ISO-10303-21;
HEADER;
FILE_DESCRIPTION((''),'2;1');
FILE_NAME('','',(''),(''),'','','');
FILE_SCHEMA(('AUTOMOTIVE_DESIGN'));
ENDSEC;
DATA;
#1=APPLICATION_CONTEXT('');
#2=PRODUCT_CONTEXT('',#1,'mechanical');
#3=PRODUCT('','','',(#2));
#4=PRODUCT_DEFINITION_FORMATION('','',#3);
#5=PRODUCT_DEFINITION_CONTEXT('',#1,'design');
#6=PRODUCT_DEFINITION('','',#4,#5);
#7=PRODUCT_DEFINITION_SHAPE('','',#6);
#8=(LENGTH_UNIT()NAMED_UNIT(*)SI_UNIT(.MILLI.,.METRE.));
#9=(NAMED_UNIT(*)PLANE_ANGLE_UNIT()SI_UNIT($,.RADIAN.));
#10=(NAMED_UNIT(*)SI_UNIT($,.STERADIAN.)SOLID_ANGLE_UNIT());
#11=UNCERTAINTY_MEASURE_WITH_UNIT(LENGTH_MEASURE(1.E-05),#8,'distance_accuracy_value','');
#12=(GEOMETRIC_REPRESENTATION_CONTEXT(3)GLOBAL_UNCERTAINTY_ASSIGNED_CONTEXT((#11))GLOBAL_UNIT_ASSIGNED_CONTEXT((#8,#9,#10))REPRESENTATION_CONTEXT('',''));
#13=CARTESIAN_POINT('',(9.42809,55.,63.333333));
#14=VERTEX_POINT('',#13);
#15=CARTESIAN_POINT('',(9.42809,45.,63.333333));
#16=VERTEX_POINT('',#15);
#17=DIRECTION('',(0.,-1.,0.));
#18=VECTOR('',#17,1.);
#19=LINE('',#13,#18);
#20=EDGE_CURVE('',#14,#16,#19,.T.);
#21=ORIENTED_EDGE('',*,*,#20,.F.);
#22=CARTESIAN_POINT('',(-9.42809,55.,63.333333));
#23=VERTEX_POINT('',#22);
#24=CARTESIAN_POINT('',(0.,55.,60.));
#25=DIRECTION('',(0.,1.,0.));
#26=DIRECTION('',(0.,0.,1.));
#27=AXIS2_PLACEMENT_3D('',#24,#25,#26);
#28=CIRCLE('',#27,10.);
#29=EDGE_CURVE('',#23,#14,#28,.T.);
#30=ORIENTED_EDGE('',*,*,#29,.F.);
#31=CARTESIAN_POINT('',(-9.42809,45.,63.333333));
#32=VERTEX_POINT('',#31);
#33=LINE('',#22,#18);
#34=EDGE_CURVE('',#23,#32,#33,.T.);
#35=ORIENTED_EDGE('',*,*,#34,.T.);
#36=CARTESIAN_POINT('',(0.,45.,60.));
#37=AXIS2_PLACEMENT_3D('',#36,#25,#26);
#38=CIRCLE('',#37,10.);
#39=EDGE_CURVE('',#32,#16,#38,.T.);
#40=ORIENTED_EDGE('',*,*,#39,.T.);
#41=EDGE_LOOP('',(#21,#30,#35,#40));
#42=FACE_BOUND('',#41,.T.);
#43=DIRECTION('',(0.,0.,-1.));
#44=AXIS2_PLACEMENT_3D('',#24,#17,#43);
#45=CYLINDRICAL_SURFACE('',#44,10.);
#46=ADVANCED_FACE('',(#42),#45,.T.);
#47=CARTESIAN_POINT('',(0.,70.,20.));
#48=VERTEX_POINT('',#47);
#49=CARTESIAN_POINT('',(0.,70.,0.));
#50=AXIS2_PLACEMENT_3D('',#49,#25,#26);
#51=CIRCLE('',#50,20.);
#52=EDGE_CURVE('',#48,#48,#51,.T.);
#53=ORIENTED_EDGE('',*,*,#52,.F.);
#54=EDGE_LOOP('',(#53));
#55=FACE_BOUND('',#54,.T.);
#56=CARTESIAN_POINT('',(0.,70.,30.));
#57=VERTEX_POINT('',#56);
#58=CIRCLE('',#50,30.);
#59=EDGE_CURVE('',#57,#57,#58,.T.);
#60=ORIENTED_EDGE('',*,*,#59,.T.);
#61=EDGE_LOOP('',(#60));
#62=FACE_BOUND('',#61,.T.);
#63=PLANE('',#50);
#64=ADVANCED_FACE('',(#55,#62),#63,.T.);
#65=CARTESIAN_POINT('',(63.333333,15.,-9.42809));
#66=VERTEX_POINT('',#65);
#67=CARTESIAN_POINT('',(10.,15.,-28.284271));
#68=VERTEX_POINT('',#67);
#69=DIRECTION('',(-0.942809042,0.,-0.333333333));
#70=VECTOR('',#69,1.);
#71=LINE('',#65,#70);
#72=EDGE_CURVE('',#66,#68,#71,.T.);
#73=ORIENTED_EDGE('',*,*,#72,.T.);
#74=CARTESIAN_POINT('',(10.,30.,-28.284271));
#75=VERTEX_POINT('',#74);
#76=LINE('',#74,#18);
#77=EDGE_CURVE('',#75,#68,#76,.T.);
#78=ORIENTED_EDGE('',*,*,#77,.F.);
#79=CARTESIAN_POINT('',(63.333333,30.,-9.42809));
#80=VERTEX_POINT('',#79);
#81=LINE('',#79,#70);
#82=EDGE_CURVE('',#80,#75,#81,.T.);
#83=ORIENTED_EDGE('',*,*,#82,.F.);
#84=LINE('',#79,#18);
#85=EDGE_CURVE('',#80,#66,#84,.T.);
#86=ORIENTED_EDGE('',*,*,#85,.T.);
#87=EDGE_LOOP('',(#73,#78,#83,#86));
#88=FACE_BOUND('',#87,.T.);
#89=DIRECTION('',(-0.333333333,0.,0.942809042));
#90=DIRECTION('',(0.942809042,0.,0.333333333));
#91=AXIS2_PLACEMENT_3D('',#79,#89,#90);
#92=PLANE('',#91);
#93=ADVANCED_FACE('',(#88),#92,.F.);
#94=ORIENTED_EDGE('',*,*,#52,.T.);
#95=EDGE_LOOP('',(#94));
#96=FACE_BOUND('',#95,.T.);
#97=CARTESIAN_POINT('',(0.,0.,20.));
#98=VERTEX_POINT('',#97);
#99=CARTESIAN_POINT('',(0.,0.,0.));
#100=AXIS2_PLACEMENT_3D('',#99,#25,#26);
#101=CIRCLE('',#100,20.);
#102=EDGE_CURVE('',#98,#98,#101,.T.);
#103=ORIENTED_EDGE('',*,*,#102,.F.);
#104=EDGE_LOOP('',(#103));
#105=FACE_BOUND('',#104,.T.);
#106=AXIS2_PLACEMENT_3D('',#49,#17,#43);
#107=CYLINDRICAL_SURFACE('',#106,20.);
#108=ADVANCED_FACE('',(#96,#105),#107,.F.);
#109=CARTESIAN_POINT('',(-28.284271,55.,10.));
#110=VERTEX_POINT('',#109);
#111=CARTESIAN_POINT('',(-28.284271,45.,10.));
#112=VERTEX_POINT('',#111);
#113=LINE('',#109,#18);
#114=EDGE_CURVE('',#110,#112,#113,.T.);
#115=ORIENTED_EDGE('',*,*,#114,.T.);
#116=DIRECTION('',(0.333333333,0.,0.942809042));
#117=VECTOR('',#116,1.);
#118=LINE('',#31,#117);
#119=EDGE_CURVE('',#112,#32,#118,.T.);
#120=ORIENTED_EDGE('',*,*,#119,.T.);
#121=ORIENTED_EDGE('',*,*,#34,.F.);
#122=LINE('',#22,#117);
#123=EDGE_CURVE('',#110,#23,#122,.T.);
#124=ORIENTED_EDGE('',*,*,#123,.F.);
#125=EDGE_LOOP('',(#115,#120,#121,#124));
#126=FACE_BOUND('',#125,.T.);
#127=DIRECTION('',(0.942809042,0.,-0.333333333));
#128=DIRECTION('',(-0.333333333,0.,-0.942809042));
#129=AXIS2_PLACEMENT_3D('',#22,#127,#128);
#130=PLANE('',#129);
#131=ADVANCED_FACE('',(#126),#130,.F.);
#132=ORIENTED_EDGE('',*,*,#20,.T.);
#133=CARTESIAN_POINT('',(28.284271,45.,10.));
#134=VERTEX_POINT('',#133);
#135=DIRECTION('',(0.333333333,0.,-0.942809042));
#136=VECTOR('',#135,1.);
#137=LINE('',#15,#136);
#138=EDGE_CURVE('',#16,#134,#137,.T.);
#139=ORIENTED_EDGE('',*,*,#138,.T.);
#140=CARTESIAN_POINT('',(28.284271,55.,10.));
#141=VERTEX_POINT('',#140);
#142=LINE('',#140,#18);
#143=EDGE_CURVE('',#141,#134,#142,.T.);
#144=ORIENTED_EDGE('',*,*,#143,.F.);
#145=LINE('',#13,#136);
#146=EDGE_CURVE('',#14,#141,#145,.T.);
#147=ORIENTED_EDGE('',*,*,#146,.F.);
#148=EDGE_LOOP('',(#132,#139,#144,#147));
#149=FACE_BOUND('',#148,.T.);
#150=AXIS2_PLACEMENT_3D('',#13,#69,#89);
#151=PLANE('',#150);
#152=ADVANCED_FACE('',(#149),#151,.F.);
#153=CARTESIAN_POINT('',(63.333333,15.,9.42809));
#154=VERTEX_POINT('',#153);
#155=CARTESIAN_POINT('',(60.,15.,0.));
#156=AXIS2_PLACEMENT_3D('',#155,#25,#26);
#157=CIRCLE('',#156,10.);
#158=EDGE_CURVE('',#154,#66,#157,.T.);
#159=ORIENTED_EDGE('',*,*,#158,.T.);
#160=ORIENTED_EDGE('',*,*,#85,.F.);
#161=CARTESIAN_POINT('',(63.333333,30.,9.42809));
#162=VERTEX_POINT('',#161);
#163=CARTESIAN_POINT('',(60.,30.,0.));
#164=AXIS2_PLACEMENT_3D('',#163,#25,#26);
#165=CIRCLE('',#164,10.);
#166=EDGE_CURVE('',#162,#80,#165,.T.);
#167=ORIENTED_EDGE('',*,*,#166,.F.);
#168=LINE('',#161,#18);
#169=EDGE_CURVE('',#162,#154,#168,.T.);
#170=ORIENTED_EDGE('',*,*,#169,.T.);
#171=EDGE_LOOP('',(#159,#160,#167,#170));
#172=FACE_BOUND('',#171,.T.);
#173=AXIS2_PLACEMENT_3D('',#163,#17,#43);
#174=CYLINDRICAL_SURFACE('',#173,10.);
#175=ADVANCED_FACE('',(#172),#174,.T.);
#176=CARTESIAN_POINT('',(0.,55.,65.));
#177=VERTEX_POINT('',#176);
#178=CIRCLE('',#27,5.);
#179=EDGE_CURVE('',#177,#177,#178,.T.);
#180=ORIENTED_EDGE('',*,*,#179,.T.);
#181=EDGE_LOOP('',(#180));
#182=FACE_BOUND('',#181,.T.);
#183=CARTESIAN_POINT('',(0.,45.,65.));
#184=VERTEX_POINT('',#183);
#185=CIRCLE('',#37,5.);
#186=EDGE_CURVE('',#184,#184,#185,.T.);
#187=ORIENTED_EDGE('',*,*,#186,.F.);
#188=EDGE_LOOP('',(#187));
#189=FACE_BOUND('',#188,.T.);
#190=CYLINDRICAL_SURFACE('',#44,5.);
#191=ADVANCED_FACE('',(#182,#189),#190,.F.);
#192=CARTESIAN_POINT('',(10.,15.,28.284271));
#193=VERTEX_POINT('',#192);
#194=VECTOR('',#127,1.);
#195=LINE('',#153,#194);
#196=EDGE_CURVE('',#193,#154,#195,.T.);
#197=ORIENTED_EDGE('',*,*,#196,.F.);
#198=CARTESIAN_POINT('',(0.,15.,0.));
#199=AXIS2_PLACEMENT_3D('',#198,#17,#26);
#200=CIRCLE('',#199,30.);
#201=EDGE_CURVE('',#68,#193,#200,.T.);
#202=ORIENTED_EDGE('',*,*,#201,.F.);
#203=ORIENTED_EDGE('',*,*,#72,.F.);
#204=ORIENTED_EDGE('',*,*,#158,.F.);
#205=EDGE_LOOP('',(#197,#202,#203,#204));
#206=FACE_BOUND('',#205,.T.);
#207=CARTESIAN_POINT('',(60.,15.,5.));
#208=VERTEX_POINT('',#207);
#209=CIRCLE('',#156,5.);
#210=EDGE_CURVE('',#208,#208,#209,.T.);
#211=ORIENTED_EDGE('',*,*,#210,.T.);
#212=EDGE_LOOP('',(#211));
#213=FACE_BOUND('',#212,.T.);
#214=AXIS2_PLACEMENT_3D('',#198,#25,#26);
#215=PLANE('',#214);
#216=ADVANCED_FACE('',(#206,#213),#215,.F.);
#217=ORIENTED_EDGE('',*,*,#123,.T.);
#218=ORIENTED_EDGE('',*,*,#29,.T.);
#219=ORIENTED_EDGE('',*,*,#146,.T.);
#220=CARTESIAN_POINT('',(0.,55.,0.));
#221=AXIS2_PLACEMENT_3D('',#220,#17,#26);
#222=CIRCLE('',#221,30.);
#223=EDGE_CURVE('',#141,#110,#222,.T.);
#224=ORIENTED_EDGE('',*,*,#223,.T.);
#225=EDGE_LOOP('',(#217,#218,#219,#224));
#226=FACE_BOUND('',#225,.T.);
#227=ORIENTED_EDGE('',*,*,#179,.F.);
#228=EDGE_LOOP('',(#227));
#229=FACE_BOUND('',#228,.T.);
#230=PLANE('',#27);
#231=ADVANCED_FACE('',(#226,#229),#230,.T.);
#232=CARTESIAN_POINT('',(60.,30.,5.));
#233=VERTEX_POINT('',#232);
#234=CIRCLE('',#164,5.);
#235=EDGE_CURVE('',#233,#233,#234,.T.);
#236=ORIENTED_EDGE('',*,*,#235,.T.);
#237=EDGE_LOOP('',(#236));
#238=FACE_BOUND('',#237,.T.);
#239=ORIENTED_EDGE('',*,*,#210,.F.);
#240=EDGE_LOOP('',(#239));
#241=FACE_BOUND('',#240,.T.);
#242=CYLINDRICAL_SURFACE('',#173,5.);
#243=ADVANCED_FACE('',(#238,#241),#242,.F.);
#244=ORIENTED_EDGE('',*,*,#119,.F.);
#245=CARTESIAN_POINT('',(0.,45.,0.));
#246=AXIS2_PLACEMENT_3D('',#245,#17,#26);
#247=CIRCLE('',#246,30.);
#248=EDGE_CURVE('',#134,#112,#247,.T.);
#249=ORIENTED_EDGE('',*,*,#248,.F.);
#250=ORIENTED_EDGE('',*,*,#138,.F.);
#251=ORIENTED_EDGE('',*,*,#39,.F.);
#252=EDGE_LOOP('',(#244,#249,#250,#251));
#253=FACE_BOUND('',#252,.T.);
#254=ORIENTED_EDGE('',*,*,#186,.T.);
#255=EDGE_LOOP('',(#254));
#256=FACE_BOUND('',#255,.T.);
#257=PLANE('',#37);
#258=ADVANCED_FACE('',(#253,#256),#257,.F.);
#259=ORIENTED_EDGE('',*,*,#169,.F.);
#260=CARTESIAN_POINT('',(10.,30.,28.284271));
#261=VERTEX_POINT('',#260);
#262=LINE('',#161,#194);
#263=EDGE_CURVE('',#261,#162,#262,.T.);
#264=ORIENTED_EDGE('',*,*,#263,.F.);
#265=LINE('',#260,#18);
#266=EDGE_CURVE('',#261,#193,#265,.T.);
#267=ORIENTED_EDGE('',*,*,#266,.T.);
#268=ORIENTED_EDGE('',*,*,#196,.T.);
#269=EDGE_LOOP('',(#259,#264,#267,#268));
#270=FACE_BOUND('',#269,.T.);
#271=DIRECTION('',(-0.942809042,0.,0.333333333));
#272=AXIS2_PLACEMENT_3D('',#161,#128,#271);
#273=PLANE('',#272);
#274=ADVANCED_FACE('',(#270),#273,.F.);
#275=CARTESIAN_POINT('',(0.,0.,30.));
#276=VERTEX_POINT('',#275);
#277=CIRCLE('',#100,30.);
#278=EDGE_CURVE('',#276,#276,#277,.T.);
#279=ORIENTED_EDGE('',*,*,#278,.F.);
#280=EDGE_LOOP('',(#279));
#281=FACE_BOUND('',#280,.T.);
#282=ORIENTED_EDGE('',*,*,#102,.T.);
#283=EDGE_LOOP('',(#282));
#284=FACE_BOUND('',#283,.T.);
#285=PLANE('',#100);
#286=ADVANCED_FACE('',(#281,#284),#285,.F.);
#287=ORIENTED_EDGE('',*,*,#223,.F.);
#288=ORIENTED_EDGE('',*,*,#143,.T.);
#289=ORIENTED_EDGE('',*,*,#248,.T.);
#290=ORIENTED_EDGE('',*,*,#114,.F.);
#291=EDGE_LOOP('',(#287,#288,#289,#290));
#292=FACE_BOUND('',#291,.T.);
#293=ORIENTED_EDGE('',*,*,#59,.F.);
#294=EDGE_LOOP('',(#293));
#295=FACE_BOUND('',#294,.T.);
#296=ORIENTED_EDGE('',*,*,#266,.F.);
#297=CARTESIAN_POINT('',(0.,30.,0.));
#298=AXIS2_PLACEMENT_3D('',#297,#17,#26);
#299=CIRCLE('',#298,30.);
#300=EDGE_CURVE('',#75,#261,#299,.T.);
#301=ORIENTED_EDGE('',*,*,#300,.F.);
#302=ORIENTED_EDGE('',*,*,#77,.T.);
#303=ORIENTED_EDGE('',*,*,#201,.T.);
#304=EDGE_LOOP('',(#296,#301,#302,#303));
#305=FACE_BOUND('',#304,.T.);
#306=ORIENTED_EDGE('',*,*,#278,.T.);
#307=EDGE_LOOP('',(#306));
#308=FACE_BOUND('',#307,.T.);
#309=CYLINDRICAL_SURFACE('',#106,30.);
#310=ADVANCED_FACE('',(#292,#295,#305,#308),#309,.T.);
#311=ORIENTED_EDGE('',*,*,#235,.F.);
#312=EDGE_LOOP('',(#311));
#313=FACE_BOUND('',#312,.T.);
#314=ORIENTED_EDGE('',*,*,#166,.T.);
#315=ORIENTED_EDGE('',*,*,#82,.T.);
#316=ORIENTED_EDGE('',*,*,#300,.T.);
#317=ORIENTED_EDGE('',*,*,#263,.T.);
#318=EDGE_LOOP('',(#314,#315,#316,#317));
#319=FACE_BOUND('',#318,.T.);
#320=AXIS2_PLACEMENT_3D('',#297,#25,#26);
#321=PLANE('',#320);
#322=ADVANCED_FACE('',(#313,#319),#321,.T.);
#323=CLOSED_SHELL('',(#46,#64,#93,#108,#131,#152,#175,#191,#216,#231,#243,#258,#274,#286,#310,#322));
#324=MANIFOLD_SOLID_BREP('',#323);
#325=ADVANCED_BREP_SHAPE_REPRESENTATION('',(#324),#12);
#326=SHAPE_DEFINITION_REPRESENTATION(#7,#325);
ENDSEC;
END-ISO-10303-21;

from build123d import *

# Parameters (mm, degrees)
SKETCH2_R           = 30
SKETCH2_R_2         = 20
BOSS_EXTRUDE1_DEPTH = 70
SKETCH4_R           = 5
BOSS_EXTRUDE2_DEPTH = 15
SKETCH5_R           = 5
BOSS_EXTRUDE3_DEPTH = 10


with BuildPart() as part:
    # Sketch2 → Boss-Extrude1 (new body)
    with BuildSketch(Plane(origin=(0, 0, 0), x_dir=(1, 0, 0), z_dir=(0, 1, 0))):
        with Locations(Location((0, 0, 0), (0, 0, 270))):
            Circle(SKETCH2_R)
        with Locations(Location((0, 0, 0), (0, 0, 270))):
            Circle(SKETCH2_R_2, mode=Mode.SUBTRACT)
    extrude(amount=BOSS_EXTRUDE1_DEPTH)

    # Sketch4 → Boss-Extrude2 (add)
    with BuildSketch(Plane(origin=(0, 15, 0), x_dir=(1, 0, 0), z_dir=(0, 1, 0))):
        with BuildLine():
            Line((63.333333333, 9.428090416), (10, 28.284271247))
            ThreePointArc((10, 28.284271247), (30, 0), (10, -28.284271247))
            Line((10, -28.284271247), (63.333333333, -9.428090416))
            ThreePointArc((63.333333333, -9.428090416), (70, 0), (63.333333333, 9.428090416))
        make_face()
        with Locations(Location((60, 0, 0), (0, 0, 270))):
            Circle(SKETCH4_R, mode=Mode.SUBTRACT)
    extrude(amount=BOSS_EXTRUDE2_DEPTH)

    # Sketch5 → Boss-Extrude3 (add)
    with BuildSketch(Plane(origin=(0, 45, 0), x_dir=(1, 0, 0), z_dir=(0, 1, 0))):
        with BuildLine():
            Line((-9.428090416, -63.333333333), (-28.284271247, -10))
            ThreePointArc((-28.284271247, -10), (0, -30), (28.284271247, -10))
            Line((28.284271247, -10), (9.428090416, -63.333333333))
            ThreePointArc((9.428090416, -63.333333333), (0, -70), (-9.428090416, -63.333333333))
        make_face()
        with Locations(Location((0, -60, 0), (0, 0, 270))):
            Circle(SKETCH5_R, mode=Mode.SUBTRACT)
    extrude(amount=BOSS_EXTRUDE3_DEPTH)


solid = part.part
